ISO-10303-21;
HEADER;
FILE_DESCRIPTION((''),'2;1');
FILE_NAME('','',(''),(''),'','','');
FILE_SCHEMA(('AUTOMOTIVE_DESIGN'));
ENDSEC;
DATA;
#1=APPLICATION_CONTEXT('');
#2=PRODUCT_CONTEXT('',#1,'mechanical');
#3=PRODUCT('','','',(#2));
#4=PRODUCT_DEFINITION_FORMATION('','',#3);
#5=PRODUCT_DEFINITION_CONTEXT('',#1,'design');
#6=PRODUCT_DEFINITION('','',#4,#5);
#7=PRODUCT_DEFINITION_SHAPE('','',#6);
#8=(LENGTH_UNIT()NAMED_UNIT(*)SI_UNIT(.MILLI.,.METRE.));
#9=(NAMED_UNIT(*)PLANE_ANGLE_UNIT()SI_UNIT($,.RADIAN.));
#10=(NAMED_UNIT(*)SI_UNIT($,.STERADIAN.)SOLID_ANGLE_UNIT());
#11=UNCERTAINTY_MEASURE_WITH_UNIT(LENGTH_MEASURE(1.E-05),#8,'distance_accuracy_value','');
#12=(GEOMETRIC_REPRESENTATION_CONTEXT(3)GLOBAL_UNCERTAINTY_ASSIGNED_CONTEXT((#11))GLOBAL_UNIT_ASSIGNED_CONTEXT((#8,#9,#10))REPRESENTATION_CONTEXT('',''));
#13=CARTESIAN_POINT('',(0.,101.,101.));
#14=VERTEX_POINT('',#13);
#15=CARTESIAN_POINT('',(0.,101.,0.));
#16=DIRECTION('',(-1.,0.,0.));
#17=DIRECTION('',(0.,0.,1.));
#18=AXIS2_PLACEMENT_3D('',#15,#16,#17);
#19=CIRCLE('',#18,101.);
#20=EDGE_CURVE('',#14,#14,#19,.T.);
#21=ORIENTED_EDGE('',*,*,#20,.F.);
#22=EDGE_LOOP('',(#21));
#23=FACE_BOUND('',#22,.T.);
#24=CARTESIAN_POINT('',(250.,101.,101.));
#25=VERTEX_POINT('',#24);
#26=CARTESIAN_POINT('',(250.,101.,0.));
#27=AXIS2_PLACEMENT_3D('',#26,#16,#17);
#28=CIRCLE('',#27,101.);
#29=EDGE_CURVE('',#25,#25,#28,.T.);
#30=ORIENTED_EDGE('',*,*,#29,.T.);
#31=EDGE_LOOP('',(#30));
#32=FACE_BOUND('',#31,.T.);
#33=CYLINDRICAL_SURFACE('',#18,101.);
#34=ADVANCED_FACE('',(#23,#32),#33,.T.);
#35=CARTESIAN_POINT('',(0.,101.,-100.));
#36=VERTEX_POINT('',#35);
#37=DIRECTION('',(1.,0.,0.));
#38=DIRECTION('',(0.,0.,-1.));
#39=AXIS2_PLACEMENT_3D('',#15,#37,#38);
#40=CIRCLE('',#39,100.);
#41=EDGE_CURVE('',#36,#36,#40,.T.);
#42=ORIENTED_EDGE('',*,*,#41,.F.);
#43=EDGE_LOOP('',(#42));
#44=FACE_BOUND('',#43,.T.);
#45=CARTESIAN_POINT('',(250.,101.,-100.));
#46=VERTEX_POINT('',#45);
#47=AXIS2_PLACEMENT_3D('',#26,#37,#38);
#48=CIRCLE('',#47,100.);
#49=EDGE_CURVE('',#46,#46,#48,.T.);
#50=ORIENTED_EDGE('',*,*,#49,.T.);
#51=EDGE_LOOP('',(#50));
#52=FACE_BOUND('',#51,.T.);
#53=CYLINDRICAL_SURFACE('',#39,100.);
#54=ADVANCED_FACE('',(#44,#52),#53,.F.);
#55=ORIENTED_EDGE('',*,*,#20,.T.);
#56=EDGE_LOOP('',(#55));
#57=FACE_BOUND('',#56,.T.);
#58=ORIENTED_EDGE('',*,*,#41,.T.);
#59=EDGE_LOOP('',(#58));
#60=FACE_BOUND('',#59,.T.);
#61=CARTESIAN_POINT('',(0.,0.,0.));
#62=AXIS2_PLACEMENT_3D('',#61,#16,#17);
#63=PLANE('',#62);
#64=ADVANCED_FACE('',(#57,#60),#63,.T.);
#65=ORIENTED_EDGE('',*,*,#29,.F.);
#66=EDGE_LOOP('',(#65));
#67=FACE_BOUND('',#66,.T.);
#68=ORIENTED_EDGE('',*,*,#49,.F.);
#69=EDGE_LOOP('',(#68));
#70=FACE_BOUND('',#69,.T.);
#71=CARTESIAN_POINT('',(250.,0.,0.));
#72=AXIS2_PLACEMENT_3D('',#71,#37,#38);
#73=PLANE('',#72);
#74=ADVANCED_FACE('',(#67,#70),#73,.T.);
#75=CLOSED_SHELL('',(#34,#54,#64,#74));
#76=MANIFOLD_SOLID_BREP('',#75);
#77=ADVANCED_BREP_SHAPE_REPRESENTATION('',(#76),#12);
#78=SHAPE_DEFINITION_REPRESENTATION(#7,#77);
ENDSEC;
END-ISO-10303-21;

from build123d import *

# Parameters (mm, degrees)
SKETCH1_W          = 250
SKETCH1_H          = 101
SKETCH2_R          = 100
CUT_EXTRUDE2_DEPTH = 250


with BuildPart() as part:
    # Sketch1 → Revolve1 (revolve)
    with BuildSketch(Plane.XY):
        with Locations((125, 50.5)):
            Rectangle(SKETCH1_W, SKETCH1_H)
    revolve(axis=Axis((0, 101, 0), (1, 0, 0)))

    # Sketch2 → Cut-Extrude2 (cut)
    with BuildSketch(Plane(origin=(250, 0, 0), x_dir=(0, 0, -1), z_dir=(1, 0, 0))):
        with Locations((0, 101)):
            Circle(SKETCH2_R)
    extrude(amount=-CUT_EXTRUDE2_DEPTH, mode=Mode.SUBTRACT)


solid = part.part
